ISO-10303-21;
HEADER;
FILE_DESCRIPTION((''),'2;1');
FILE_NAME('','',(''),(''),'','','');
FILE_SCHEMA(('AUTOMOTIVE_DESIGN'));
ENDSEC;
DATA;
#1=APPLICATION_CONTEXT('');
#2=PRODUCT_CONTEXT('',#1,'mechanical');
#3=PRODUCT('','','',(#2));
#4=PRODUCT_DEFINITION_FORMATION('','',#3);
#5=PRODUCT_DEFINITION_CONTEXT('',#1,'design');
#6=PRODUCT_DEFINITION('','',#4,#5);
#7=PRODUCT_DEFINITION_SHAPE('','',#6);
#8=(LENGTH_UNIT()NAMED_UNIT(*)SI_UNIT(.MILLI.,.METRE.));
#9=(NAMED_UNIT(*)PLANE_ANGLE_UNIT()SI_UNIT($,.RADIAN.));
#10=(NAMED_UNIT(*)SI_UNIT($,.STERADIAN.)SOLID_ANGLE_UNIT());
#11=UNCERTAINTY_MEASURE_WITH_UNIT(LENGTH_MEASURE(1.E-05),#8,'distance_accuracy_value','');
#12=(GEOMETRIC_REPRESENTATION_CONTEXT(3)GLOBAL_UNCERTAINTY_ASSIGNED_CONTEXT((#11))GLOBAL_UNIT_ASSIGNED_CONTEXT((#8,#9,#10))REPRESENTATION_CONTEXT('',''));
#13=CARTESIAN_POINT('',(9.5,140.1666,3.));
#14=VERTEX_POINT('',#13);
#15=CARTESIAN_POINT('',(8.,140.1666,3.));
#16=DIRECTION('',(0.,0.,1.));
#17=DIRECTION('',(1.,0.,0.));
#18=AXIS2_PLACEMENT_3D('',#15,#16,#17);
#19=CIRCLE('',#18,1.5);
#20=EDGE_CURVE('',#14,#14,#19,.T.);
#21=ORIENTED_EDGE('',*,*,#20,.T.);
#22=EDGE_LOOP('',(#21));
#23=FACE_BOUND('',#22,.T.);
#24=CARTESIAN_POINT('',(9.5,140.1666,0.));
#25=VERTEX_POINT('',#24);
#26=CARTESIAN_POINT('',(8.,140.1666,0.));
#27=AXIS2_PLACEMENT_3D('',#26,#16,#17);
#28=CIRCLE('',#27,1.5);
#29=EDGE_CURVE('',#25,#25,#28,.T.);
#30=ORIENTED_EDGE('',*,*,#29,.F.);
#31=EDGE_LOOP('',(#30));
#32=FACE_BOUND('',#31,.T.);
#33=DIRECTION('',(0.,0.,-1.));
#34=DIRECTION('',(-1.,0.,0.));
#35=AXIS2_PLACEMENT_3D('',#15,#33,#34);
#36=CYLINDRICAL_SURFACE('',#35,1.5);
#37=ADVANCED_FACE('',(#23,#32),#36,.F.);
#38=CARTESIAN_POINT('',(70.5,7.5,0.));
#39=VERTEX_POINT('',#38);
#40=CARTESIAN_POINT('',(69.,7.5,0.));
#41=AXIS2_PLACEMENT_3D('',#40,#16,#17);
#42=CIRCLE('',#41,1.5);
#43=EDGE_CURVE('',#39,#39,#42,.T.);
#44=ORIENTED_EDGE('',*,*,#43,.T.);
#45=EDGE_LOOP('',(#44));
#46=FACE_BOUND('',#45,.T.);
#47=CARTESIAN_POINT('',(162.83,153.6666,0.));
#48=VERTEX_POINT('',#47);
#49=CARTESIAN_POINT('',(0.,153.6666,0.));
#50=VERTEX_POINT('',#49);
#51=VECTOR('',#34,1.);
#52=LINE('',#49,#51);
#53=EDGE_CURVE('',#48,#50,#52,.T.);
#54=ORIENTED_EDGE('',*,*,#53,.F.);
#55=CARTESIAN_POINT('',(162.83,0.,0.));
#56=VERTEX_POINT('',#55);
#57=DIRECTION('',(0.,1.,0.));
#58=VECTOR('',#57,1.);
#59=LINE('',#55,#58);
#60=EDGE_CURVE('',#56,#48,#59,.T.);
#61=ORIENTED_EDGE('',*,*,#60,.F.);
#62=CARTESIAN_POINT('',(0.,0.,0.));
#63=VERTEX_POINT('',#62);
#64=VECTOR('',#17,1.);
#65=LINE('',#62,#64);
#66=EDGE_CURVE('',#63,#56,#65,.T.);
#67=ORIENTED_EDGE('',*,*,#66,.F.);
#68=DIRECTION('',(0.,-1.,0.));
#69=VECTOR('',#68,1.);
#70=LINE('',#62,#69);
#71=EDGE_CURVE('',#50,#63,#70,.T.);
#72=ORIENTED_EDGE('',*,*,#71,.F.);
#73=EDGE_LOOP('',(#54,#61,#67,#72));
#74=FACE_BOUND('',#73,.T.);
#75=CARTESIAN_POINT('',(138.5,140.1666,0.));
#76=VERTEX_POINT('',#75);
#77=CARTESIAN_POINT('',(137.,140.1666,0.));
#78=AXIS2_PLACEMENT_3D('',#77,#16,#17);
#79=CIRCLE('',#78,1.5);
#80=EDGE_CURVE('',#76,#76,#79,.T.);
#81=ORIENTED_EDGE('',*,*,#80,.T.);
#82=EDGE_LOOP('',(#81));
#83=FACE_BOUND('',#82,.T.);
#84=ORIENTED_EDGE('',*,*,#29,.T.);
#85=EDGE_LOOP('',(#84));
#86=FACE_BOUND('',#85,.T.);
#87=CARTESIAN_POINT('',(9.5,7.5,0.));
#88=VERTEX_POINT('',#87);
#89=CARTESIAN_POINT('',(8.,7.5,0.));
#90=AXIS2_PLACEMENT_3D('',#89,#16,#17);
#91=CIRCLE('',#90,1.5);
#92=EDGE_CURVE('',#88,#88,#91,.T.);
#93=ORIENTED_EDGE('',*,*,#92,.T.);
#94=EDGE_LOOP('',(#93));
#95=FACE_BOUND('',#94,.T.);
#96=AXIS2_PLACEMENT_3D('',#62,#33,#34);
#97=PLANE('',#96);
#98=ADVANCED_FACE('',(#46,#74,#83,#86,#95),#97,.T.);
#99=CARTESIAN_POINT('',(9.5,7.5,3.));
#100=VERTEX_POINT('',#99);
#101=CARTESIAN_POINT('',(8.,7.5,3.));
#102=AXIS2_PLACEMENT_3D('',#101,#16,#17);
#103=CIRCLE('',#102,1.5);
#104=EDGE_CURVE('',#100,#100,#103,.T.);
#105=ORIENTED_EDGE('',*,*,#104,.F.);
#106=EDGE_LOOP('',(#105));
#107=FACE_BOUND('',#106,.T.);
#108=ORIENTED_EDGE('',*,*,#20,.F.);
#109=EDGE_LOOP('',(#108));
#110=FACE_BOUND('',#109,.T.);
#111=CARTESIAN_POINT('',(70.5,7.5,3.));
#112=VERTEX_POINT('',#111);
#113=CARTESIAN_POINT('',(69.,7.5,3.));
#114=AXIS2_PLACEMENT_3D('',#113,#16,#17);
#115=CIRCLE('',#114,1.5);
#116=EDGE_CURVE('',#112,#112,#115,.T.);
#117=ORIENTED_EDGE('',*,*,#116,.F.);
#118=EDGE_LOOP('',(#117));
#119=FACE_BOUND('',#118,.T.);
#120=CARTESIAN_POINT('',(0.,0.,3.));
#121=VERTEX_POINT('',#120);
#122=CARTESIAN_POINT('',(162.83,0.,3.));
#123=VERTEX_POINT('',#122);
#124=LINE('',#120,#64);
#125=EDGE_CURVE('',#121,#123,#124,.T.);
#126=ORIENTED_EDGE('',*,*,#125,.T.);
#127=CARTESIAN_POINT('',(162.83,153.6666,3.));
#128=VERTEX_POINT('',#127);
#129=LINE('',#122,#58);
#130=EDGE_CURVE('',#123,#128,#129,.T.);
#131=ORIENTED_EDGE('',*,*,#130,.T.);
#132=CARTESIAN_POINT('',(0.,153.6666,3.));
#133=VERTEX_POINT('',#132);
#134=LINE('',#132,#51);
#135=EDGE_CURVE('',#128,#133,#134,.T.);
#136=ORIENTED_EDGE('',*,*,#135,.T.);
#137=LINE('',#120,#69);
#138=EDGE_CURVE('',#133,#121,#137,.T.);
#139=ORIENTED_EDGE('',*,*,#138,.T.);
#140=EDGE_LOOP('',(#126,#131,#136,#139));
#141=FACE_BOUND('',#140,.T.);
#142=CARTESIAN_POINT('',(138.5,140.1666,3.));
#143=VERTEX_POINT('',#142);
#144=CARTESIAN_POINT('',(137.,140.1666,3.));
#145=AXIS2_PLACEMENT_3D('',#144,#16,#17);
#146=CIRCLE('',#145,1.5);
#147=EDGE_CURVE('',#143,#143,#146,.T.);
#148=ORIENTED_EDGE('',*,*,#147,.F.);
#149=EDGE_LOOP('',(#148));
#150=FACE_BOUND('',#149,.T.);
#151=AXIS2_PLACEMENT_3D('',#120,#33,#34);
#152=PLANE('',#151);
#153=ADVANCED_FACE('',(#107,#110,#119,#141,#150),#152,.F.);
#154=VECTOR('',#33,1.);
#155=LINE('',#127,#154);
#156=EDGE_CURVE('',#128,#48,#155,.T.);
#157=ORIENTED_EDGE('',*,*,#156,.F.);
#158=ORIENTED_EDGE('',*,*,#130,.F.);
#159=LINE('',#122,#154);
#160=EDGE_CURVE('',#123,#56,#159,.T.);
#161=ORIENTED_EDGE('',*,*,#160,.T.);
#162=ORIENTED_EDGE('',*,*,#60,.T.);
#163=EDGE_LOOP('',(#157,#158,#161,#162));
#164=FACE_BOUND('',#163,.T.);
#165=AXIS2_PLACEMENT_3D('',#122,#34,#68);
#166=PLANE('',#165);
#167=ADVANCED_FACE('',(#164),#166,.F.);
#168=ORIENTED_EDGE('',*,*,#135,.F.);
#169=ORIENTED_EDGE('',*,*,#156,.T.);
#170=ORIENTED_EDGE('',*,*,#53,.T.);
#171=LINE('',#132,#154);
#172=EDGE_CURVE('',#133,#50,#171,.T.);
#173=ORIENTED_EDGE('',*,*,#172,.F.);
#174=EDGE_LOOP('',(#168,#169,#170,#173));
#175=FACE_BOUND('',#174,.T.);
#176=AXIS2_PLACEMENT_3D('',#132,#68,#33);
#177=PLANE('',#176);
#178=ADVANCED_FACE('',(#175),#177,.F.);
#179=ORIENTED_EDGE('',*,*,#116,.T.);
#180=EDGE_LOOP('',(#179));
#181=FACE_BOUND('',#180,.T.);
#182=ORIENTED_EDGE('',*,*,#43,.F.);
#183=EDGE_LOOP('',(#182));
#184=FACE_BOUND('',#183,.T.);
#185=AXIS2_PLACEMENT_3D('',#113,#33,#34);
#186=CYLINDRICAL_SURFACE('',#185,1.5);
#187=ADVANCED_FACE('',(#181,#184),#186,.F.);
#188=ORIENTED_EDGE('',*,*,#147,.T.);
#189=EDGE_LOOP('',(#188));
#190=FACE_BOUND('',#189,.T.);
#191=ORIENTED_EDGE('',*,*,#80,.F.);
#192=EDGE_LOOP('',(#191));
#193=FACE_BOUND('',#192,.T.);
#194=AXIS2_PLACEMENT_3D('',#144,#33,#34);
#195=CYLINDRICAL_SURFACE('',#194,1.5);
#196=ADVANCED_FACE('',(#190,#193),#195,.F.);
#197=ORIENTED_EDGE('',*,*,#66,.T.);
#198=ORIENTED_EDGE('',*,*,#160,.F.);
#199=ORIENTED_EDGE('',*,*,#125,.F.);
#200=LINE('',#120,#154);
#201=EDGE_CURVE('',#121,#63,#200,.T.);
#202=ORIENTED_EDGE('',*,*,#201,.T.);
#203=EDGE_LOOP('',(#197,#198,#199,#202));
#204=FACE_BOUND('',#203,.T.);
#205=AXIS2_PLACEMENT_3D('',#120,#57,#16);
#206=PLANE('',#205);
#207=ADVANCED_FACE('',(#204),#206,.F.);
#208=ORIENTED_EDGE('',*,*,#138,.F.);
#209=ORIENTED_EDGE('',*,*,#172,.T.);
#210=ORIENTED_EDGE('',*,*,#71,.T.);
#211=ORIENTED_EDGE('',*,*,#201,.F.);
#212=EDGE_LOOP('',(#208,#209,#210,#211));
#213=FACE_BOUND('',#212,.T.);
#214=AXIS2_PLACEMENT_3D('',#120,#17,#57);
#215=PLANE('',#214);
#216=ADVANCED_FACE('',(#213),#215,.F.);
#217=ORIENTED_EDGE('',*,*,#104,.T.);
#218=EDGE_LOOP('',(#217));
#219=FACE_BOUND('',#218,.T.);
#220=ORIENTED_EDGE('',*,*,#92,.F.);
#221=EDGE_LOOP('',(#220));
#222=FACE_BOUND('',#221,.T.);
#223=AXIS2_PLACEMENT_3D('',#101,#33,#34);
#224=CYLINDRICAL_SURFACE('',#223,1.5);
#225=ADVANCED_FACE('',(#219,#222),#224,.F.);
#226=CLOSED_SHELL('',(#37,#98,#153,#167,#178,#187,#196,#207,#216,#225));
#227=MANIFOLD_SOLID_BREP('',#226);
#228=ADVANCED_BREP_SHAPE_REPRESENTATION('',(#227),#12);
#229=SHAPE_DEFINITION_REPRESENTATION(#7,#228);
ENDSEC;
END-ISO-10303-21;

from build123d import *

# Parameters (mm, degrees)
SKETCH1_W           = 162.83
SKETCH1_H           = 153.6666
SKETCH1_R           = 1.5
BOSS_EXTRUDE1_DEPTH = 3


with BuildPart() as part:
    # Sketch1 → Boss-Extrude1 (new body)
    with BuildSketch(Plane.XY):
        with Locations((81.415, 76.8333)):
            Rectangle(SKETCH1_W, SKETCH1_H)
        with Locations((8, 140.1666)):
            Circle(SKETCH1_R, mode=Mode.SUBTRACT)
        with Locations((137, 140.1666)):
            Circle(SKETCH1_R, mode=Mode.SUBTRACT)
        with Locations((8, 7.5)):
            Circle(SKETCH1_R, mode=Mode.SUBTRACT)
        with Locations((69, 7.5)):
            Circle(SKETCH1_R, mode=Mode.SUBTRACT)
    extrude(amount=BOSS_EXTRUDE1_DEPTH)


solid = part.part
